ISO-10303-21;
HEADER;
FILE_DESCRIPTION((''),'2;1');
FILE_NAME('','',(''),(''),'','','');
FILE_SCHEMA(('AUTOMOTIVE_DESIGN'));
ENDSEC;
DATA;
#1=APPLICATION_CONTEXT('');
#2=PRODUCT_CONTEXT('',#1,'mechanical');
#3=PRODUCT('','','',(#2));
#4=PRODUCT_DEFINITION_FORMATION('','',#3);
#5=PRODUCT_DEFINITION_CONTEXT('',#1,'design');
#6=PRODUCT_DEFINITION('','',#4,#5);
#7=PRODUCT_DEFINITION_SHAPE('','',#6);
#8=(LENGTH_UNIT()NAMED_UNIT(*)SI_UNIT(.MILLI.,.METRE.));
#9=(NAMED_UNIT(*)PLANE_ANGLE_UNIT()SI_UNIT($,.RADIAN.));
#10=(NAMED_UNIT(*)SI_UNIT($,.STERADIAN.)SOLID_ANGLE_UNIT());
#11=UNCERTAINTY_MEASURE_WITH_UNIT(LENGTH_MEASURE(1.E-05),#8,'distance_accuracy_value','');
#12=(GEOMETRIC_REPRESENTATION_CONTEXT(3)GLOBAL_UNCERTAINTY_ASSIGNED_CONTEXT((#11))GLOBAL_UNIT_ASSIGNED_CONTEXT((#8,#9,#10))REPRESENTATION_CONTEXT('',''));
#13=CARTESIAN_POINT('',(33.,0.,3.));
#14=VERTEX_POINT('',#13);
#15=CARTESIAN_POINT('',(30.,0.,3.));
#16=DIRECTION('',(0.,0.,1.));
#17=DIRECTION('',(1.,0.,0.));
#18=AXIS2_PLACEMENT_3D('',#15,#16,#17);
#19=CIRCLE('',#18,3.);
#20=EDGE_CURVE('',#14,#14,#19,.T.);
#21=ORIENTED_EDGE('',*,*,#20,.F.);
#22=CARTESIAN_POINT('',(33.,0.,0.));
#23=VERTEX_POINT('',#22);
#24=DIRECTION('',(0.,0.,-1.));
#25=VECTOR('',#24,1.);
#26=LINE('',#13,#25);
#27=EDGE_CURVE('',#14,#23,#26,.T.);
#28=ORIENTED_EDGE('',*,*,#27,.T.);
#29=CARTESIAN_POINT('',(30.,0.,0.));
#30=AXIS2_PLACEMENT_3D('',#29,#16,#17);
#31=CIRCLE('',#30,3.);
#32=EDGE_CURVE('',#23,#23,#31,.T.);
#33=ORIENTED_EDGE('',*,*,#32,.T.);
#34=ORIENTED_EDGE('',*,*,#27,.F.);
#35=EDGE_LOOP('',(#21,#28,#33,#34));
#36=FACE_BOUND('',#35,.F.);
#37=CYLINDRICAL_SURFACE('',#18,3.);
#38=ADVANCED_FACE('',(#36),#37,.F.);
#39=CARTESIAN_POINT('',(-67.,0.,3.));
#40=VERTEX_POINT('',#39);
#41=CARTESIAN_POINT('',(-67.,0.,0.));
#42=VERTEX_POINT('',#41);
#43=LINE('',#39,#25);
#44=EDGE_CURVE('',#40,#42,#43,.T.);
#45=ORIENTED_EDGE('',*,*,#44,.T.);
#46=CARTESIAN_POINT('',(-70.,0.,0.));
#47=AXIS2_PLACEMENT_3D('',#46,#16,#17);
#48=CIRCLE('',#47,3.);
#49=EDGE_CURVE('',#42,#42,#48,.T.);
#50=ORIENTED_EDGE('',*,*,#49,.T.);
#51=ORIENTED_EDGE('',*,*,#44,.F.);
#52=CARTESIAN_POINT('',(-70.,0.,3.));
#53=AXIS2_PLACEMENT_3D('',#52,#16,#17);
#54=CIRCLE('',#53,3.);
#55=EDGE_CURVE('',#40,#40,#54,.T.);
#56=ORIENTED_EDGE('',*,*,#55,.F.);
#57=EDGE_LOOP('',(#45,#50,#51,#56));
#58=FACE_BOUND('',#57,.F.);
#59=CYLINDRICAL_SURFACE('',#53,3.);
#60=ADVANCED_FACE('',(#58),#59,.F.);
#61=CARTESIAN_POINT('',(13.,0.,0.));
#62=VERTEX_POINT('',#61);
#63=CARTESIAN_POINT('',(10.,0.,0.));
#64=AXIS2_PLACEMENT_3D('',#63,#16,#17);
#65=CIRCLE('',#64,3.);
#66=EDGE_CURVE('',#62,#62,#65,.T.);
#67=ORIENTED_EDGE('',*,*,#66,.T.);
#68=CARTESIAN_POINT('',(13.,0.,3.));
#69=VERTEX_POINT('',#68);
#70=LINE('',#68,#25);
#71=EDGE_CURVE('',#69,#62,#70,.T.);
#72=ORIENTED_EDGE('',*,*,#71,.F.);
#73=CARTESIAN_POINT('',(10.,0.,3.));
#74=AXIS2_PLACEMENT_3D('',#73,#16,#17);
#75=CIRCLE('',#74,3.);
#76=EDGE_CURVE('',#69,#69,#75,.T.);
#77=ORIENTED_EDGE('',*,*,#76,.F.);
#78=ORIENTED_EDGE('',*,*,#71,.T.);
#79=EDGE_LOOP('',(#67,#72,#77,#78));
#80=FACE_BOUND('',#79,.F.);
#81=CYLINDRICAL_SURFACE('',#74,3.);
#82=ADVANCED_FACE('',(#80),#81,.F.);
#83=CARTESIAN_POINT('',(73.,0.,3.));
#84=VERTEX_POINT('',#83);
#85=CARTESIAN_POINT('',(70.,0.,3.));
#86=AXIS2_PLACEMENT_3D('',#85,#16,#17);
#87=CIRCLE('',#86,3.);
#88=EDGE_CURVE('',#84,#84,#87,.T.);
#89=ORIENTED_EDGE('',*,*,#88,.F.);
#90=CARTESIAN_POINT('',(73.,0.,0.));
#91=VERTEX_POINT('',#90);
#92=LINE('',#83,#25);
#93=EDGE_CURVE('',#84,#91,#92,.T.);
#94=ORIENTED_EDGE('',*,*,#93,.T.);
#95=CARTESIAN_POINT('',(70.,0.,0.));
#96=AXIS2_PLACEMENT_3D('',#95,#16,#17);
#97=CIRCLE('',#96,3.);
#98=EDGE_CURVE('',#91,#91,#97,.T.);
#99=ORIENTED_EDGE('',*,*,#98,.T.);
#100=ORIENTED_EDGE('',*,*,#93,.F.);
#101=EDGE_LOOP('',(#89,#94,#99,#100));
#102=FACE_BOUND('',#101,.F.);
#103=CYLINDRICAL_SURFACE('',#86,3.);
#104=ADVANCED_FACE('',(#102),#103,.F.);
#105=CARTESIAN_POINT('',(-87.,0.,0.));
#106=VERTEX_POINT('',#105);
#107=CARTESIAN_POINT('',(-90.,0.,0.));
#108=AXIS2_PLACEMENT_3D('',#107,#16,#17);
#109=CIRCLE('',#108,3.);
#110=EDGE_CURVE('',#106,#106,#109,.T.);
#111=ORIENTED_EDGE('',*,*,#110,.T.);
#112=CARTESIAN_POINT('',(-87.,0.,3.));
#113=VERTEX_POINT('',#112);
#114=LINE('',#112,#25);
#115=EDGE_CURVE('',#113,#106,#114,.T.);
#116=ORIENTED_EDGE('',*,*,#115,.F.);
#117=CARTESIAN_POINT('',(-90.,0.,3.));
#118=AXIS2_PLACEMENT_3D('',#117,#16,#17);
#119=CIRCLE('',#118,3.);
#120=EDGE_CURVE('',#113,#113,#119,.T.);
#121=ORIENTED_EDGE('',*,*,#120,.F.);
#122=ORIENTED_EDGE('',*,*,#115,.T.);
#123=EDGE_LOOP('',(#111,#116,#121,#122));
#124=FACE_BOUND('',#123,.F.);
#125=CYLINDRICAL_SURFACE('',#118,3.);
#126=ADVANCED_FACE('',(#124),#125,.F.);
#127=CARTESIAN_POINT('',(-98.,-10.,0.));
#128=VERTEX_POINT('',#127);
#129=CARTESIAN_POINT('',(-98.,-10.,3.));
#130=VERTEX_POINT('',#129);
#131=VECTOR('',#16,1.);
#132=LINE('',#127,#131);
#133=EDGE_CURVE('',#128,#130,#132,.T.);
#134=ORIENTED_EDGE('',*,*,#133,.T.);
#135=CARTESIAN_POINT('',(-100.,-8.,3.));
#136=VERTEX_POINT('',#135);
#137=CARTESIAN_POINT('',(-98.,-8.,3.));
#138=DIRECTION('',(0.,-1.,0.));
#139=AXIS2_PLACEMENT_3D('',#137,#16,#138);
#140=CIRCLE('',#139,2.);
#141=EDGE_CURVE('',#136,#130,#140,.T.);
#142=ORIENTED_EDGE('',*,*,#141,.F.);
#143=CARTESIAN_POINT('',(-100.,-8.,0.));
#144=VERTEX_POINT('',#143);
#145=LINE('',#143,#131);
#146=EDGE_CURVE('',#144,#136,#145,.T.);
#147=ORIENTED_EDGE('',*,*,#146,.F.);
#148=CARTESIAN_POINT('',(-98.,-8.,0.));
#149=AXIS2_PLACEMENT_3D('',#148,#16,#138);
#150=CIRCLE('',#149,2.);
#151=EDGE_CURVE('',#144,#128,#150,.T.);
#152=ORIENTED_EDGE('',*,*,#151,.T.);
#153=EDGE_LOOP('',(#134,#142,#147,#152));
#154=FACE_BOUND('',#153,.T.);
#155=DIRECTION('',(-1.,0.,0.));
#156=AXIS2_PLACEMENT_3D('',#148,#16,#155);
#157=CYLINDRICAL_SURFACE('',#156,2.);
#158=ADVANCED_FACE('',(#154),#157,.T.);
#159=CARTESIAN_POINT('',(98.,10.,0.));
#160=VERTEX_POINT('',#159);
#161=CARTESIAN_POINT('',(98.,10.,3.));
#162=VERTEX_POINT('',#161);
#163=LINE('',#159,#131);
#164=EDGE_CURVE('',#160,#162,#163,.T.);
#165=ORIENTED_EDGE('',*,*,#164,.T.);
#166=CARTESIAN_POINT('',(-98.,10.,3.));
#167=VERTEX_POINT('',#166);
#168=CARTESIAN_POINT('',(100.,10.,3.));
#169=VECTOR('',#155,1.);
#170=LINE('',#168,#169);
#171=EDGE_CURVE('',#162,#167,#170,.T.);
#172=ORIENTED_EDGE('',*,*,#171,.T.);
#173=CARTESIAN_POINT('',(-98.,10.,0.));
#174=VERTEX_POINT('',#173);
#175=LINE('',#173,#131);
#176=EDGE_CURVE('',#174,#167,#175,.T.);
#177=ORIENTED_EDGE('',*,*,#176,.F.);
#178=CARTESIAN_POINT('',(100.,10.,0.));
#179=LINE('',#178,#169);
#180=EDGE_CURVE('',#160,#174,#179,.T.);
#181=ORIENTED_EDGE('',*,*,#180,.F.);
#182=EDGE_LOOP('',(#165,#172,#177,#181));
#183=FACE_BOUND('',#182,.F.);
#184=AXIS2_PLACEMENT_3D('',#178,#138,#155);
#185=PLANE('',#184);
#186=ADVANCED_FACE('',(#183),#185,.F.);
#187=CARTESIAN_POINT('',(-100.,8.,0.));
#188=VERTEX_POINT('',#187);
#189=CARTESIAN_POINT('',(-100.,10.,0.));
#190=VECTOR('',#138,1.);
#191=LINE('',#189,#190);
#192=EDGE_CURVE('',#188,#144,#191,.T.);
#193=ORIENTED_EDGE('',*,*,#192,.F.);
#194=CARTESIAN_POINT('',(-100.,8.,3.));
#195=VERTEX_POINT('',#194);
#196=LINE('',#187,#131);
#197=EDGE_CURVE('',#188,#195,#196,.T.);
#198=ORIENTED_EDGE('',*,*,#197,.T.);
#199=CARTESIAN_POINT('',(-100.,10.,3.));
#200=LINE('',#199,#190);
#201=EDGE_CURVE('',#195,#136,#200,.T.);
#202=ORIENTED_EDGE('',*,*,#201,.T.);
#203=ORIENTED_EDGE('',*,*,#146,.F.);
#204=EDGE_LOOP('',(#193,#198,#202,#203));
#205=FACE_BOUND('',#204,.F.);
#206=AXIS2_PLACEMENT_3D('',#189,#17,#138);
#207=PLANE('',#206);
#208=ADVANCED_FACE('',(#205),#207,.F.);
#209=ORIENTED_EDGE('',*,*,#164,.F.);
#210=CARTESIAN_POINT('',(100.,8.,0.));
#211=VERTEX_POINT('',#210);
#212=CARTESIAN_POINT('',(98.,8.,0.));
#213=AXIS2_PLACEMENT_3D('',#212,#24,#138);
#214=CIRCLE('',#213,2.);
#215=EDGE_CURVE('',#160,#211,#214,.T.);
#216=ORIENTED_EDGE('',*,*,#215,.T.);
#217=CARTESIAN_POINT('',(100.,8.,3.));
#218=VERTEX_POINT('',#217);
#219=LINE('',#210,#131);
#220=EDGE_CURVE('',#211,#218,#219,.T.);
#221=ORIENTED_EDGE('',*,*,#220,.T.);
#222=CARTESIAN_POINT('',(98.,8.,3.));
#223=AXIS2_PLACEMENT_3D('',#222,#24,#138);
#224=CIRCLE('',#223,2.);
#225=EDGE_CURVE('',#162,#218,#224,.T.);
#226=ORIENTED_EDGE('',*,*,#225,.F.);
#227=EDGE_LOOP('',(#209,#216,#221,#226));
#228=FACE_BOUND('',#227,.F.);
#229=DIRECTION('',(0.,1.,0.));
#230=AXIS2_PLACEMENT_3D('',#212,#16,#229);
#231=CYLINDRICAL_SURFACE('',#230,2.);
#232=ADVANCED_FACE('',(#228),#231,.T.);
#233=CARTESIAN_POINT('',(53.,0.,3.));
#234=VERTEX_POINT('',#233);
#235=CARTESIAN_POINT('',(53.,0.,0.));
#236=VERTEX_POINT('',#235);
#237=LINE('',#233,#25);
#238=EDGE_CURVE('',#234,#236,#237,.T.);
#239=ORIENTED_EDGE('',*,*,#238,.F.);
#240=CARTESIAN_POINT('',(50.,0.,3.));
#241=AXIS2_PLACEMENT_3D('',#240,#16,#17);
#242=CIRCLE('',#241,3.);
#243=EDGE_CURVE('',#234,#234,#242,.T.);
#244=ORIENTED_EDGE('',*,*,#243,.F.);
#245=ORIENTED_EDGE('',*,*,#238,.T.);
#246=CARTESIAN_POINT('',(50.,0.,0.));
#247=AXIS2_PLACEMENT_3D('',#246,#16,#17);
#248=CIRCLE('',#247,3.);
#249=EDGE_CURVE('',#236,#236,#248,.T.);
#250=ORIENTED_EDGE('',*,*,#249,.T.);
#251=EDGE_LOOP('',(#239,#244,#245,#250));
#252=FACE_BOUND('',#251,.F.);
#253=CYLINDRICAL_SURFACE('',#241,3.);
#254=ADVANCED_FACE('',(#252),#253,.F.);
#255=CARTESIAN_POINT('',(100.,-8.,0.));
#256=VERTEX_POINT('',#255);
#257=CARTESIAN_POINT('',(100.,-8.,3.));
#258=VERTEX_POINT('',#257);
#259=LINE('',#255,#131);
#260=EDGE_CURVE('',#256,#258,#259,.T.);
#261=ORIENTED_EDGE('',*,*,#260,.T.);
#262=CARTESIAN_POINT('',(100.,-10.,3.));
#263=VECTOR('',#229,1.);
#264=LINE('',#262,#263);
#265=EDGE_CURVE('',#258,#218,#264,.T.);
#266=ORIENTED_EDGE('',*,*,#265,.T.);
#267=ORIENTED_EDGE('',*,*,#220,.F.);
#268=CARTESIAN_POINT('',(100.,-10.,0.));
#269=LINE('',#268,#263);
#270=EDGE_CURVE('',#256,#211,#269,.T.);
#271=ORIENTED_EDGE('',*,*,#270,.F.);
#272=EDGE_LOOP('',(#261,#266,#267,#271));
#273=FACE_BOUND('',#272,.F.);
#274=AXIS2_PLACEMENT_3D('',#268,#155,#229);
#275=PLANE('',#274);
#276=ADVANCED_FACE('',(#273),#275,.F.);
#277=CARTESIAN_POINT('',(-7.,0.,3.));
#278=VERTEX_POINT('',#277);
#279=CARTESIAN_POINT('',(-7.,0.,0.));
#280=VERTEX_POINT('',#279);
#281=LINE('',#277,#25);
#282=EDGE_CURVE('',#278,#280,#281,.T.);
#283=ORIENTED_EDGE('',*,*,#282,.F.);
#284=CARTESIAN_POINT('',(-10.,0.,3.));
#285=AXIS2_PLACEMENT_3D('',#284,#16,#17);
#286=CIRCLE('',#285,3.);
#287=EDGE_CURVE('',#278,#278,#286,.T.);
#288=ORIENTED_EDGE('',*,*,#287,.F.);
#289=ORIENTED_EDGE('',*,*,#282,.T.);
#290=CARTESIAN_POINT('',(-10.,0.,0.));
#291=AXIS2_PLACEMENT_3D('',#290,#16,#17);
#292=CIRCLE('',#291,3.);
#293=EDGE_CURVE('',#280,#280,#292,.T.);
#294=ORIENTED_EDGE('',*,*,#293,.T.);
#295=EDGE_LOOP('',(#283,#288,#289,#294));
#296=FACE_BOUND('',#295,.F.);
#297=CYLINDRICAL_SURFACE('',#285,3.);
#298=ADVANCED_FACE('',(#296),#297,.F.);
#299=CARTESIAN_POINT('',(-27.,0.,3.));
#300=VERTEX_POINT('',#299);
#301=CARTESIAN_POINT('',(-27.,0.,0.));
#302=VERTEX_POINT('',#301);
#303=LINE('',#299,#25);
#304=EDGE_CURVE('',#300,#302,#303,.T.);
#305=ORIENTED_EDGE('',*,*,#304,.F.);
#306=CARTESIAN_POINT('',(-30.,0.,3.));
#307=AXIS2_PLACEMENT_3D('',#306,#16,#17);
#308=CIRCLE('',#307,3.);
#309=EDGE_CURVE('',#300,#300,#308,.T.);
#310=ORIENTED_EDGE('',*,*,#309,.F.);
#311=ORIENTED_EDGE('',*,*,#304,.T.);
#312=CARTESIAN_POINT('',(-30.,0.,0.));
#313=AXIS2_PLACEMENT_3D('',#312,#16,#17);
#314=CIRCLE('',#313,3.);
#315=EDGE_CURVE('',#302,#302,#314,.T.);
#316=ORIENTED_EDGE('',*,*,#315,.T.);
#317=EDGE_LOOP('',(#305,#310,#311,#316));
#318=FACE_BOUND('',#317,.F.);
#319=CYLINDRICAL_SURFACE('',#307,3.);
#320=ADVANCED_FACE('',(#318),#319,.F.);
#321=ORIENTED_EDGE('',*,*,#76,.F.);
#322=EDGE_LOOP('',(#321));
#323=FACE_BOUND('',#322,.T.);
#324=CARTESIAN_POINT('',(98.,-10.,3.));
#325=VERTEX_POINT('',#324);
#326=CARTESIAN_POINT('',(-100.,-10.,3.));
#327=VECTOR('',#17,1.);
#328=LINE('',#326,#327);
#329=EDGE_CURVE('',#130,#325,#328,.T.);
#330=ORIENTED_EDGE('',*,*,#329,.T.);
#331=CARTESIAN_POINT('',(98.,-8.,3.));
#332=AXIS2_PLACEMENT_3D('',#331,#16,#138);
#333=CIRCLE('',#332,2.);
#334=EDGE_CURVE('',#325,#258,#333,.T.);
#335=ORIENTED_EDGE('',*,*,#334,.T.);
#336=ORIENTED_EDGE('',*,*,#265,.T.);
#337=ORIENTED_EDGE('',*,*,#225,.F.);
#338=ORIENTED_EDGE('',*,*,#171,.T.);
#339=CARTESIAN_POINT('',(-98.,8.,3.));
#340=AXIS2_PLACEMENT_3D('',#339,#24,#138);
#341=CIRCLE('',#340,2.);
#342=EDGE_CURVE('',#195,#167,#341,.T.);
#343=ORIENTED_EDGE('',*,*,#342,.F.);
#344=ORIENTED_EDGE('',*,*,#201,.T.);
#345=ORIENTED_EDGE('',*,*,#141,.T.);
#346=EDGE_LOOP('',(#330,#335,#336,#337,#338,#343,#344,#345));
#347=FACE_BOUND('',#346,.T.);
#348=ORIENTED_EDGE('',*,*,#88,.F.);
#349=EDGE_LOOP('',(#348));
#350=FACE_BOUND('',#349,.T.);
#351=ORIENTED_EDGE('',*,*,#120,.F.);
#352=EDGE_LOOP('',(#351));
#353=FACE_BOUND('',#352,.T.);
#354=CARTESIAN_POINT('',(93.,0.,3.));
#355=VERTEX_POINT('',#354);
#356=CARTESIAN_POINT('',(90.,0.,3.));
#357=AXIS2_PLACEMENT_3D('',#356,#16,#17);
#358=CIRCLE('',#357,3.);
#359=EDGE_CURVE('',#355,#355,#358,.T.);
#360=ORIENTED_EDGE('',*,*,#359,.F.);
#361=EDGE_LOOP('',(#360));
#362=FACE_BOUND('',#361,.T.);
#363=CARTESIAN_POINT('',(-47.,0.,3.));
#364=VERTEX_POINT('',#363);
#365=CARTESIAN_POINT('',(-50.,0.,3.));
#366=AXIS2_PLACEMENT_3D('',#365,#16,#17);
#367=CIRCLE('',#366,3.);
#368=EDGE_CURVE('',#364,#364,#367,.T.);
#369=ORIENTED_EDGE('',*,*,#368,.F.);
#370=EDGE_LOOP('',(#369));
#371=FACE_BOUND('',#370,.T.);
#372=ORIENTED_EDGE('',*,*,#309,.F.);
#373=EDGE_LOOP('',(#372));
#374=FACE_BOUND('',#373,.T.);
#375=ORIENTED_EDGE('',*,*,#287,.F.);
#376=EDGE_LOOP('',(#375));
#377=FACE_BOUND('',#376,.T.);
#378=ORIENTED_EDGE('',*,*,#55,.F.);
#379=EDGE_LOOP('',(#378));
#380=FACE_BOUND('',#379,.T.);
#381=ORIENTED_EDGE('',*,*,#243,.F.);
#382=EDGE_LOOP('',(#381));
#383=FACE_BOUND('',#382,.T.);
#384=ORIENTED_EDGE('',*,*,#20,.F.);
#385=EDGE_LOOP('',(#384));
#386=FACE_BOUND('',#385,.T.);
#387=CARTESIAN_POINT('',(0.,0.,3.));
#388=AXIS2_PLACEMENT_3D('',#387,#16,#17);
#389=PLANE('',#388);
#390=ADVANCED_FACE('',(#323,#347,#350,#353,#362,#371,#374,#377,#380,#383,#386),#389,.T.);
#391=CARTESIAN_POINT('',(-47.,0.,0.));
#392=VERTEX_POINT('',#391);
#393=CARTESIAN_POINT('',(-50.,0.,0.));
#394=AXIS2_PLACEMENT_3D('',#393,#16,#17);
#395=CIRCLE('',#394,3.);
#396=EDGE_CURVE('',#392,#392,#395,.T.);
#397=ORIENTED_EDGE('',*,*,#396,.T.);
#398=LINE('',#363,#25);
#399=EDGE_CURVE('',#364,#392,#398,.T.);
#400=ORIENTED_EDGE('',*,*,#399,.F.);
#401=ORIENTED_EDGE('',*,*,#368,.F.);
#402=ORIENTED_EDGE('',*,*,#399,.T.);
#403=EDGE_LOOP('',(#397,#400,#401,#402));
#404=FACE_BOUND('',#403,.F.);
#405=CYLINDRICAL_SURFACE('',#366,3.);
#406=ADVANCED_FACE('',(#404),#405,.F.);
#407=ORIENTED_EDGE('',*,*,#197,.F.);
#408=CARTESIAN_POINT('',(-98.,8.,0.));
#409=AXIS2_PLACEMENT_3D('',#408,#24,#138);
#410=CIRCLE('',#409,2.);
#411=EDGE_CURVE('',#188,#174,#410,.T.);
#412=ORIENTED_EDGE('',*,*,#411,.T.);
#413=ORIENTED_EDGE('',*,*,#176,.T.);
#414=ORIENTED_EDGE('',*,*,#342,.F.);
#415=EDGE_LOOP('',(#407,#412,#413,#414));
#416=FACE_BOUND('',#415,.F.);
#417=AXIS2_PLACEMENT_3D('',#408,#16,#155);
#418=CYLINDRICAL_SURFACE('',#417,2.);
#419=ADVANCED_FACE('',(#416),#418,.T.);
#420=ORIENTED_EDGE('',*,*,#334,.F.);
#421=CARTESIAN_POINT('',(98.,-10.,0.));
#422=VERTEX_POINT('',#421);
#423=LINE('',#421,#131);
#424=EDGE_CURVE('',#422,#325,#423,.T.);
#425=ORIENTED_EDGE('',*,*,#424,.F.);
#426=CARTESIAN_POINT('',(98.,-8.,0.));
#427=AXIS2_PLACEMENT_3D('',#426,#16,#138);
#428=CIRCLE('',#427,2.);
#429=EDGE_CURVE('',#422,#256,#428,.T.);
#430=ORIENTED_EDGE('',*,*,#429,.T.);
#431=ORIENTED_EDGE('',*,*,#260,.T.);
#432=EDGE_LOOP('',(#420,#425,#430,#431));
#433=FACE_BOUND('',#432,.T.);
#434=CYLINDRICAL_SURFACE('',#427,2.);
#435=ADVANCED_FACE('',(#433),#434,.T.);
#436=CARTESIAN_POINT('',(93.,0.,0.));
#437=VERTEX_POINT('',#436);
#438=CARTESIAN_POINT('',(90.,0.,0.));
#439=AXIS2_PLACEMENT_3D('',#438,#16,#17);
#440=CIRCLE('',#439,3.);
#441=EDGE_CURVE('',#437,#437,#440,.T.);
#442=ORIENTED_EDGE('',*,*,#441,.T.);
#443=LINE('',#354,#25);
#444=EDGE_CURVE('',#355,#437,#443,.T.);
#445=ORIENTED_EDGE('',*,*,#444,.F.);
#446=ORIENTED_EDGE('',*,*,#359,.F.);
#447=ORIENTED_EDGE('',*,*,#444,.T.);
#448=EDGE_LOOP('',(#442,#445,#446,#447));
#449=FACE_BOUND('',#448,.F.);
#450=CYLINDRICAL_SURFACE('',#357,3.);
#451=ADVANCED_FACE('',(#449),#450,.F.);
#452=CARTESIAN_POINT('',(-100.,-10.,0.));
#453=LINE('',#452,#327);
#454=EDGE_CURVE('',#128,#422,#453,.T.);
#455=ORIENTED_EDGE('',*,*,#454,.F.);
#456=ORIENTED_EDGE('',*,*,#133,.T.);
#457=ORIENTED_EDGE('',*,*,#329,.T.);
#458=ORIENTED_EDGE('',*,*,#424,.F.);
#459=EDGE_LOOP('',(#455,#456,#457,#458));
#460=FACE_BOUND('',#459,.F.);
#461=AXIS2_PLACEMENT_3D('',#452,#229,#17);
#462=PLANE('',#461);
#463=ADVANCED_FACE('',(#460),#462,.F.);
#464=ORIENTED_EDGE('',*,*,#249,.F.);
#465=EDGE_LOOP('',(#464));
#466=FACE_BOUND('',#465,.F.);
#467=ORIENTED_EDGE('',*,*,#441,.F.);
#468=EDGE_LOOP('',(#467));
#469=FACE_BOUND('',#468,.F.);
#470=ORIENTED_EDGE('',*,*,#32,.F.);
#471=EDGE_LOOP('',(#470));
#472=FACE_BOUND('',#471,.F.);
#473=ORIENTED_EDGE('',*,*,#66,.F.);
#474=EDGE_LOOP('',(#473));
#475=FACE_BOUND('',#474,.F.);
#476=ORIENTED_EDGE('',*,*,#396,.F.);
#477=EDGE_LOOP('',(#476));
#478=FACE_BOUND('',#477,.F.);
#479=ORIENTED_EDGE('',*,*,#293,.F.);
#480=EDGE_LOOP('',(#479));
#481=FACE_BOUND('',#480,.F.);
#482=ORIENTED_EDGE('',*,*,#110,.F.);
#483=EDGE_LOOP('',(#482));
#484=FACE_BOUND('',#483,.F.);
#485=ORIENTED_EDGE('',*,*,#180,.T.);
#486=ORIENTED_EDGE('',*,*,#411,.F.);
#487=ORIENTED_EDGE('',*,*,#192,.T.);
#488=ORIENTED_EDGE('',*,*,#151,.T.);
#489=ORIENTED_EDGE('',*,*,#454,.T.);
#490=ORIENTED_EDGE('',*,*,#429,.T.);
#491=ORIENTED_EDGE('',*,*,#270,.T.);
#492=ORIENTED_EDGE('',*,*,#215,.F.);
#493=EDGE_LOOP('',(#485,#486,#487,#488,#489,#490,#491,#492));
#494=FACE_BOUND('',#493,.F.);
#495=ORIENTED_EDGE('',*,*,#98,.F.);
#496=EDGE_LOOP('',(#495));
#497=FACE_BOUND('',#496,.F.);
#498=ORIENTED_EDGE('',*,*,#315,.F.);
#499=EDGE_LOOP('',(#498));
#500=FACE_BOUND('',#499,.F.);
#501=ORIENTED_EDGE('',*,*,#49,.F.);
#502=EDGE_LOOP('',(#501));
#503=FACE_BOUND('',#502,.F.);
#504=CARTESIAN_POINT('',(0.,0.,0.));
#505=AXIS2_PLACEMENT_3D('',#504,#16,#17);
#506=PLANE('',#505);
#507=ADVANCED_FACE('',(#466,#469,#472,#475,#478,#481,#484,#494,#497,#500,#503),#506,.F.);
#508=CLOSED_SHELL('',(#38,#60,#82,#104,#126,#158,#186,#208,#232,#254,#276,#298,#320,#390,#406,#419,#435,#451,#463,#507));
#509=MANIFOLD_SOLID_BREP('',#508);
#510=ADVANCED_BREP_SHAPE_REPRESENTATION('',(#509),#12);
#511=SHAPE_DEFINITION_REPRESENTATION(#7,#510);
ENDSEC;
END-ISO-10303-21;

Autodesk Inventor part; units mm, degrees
ref_plane "YZ Plane" through (0, 0, 0) normal (1, 0, 0) x (0, 1, 0)
ref_plane "XZ Plane" through (0, 0, 0) normal (0, 1, 0) x (-1, 0, 0)
ref_plane "XY Plane" through (0, 0, 0) normal (0, 0, 1) x (1, 0, 0)
sketch "Sketch1" plane through (0, 0, 0) normal (0, 0, 1) x (1, 0, 0)
  line L0 (-100, -10) -> (100, -10)
  line L1 (100, -10) -> (100, 10)
  line L2 (100, 10) -> (-100, 10)
  line L3 (-100, 10) -> (-100, -10)
  line L4 (-100, -10) -> (100, 10) construction
  line L5 (100, -10) -> (-100, 10) construction
  point P0 (0, 0)
  dimension "d0" = 200
  dimension "d1" = 20
extrude "Extrusion1" add sketch "Sketch1" along normal blind 3
sketch "Sketch2" plane through (0, 0, 3) normal (0, 0, 1) x (1, 0, 0)
  circle A0 centre (-90, 0) radius 3
  line L0 (-100, 10) -> (-100, -10) projected
  line L1 (100, 10) -> (-100, 10) projected
  point P0 (0, 0)
  dimension "d5" = 6
  dimension "d6" = 10
  dimension "d7" = 10
extrude "Extrusion2" cut sketch "Sketch2" against normal blind 3
pattern_linear "Rectangular Pattern1" count 10 spacing 20 along (1, 0, 0) of "Extrusion2"
fillet "Fillet1" radius 2 4 edges at (100, 10, 1.5) (100, -10, 1.5) (-100, -10, 1.5) (-100, 10, 1.5)
properties part number "Noi nhom 20100"
